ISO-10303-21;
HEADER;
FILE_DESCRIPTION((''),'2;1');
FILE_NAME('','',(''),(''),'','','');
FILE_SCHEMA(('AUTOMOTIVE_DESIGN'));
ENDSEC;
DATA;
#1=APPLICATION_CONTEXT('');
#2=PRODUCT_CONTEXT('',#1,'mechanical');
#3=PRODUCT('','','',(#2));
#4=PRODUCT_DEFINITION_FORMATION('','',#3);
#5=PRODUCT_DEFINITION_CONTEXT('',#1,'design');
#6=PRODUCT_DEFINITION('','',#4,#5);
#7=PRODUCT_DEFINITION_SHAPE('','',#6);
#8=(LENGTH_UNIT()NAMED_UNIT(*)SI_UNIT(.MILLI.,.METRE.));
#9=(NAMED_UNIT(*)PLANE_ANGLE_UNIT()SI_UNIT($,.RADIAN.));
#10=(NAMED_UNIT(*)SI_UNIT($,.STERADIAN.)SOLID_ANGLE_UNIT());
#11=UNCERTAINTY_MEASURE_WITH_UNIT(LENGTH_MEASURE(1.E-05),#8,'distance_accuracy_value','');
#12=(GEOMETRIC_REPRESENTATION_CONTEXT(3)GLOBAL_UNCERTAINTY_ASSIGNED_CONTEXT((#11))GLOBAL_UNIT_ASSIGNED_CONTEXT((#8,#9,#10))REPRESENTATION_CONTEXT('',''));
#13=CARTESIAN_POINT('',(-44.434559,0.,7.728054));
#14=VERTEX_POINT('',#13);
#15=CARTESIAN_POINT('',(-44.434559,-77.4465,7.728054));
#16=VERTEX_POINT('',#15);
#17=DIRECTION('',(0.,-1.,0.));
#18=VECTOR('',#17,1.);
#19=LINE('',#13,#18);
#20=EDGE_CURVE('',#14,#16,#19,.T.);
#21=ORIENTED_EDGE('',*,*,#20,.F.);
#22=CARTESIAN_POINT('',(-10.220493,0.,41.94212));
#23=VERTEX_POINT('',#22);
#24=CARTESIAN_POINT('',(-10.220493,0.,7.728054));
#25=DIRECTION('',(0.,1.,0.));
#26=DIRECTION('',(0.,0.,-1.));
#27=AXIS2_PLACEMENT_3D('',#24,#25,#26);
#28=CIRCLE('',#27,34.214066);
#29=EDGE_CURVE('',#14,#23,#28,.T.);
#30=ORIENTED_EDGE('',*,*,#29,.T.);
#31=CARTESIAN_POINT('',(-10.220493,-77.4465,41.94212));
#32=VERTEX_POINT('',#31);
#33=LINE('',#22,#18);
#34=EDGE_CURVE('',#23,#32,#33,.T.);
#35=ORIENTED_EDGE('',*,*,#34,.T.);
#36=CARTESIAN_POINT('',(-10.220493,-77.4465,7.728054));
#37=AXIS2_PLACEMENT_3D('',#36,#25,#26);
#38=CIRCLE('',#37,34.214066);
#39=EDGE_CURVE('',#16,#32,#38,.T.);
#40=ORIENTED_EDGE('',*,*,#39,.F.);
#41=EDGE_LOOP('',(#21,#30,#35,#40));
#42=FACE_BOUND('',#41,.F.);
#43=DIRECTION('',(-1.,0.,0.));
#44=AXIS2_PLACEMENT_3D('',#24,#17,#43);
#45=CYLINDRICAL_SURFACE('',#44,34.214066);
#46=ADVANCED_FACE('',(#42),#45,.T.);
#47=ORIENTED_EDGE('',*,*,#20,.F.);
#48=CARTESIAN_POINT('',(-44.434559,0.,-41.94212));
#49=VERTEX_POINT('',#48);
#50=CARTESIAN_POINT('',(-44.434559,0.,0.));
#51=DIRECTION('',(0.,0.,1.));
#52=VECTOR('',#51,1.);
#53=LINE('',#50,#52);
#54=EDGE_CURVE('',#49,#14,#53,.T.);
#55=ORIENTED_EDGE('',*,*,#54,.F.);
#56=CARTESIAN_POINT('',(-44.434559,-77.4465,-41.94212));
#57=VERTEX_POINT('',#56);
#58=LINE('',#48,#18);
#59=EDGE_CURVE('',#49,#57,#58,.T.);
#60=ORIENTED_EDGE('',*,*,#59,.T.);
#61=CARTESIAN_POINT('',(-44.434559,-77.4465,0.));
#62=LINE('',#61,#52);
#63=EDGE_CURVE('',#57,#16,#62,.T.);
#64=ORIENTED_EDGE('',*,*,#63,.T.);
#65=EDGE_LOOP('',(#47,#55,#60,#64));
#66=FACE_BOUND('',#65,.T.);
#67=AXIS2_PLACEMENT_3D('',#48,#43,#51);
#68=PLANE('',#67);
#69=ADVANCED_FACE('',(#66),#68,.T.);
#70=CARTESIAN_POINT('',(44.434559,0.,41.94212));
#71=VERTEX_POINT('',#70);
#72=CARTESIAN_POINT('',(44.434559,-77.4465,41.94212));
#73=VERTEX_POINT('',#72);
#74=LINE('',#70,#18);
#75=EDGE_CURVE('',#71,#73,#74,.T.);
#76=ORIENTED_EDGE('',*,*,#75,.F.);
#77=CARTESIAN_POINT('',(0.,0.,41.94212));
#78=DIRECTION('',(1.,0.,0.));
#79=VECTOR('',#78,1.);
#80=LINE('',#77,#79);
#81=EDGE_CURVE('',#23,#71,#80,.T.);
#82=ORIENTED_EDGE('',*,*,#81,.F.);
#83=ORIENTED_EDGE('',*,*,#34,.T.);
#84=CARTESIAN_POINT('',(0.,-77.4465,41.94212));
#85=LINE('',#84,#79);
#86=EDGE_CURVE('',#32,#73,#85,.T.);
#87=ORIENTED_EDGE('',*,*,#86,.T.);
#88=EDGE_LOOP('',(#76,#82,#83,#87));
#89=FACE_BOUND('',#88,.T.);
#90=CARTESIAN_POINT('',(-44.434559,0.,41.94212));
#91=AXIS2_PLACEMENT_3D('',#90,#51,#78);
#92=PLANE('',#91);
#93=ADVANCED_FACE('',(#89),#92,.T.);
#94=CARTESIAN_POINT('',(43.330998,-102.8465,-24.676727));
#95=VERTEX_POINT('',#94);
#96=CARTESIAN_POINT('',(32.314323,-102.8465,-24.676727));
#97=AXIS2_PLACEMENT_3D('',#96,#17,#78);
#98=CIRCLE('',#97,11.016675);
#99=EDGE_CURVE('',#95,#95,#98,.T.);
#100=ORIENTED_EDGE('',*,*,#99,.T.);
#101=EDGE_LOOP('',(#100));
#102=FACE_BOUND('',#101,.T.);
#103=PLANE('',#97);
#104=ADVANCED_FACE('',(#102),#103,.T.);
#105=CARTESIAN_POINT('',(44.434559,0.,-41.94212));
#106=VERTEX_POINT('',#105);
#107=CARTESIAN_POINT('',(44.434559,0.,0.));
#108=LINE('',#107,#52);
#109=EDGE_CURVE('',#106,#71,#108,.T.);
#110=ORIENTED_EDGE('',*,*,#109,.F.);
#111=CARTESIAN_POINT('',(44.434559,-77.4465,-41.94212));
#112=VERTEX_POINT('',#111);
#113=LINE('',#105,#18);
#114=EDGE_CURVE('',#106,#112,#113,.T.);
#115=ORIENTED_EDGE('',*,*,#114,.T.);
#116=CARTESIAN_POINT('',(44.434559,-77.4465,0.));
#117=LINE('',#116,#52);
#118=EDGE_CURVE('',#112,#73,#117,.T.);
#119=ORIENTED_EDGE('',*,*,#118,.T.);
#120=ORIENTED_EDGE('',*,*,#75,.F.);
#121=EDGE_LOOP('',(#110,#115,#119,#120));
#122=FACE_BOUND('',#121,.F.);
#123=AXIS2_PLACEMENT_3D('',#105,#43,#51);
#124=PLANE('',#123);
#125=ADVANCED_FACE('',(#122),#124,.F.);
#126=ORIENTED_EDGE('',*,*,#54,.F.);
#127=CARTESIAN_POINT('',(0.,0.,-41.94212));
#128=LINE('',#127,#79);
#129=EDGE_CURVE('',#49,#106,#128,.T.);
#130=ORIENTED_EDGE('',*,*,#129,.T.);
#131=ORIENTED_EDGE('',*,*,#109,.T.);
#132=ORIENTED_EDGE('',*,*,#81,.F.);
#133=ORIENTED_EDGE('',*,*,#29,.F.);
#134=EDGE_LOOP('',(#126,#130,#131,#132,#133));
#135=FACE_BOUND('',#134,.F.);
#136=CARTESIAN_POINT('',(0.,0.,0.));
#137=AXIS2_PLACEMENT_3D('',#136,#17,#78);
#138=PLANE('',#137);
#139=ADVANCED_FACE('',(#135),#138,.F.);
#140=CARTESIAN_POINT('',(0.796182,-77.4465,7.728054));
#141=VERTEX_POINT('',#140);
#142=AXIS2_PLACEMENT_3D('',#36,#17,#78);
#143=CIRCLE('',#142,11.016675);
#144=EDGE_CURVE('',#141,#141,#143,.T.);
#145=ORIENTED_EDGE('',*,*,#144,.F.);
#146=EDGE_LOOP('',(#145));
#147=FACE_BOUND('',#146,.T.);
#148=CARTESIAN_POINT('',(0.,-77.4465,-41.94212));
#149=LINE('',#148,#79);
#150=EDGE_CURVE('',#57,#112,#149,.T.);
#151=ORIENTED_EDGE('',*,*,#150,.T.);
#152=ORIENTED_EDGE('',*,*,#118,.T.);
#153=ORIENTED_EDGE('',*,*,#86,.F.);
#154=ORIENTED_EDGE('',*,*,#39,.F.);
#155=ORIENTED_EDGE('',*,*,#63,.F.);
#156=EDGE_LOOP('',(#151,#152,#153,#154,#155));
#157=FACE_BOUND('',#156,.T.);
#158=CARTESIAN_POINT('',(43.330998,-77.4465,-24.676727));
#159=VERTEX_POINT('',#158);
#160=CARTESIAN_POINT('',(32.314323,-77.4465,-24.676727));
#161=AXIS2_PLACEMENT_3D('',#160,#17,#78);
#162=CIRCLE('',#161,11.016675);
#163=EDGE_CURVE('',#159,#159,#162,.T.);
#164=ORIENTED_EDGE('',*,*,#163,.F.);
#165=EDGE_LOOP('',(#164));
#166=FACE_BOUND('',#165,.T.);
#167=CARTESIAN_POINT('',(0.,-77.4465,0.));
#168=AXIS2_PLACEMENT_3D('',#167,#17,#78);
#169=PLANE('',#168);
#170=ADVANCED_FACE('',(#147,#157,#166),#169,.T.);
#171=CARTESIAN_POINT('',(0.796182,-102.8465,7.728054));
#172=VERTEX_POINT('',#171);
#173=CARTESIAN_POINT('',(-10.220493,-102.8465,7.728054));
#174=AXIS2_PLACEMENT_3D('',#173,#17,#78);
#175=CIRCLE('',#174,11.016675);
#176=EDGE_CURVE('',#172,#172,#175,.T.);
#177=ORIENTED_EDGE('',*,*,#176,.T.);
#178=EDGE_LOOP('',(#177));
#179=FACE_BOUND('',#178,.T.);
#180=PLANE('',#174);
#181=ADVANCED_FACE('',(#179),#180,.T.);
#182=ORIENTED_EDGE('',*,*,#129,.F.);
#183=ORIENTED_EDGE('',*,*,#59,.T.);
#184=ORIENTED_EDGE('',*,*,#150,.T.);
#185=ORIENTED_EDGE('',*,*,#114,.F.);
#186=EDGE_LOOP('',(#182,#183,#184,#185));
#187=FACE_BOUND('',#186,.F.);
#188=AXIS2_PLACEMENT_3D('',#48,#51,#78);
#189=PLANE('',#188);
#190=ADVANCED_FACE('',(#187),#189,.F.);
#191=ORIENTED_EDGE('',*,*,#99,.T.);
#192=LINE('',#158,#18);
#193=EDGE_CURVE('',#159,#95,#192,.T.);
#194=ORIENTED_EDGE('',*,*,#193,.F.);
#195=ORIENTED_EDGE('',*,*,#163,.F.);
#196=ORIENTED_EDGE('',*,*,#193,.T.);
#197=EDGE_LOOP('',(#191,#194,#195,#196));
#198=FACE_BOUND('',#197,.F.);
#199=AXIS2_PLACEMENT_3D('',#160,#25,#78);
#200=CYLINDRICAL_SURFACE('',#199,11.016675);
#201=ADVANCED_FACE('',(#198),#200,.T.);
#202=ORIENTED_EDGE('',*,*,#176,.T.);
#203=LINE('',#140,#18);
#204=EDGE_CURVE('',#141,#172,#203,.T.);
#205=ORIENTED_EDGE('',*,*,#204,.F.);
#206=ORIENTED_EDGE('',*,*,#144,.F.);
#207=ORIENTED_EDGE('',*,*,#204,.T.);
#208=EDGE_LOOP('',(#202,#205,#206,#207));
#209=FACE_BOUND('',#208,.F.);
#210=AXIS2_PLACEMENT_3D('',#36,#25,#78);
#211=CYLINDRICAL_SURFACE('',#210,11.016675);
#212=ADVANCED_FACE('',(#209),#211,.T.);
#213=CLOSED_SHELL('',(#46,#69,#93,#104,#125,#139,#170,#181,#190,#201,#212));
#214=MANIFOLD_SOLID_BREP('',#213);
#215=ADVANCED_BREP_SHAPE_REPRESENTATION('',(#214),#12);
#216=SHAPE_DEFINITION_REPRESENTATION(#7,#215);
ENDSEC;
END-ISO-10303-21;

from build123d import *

# Parameters (mm, degrees)
F0_W     = 88.869118
F0_H     = 83.88424
F1_DEPTH = 77.4465
F2_R     = 34.214066
F3_R     = 11.016675
F4_DEPTH = 25.4


with BuildPart() as f1:
    # F0 (on Front) → F1 (new body)
    with BuildSketch(Plane.XZ):
        Rectangle(F0_W, F0_H)
    extrude(amount=F1_DEPTH)

    # F2
    f2_edges = [f1.edges().sort_by_distance(p)[0] for p in [
        (-44.434559, -38.72325, 41.94212),
    ]]
    fillet(f2_edges, radius=F2_R)

    # F3 (on face) → F4 (join)
    with BuildSketch(Plane.XZ.offset(77.4465)):
        with Locations((-10.220493, 7.728054)):
            Circle(F3_R)
        with Locations((32.314323, -24.676727)):
            Circle(F3_R)
    extrude(amount=F4_DEPTH)


solid = f1.part
